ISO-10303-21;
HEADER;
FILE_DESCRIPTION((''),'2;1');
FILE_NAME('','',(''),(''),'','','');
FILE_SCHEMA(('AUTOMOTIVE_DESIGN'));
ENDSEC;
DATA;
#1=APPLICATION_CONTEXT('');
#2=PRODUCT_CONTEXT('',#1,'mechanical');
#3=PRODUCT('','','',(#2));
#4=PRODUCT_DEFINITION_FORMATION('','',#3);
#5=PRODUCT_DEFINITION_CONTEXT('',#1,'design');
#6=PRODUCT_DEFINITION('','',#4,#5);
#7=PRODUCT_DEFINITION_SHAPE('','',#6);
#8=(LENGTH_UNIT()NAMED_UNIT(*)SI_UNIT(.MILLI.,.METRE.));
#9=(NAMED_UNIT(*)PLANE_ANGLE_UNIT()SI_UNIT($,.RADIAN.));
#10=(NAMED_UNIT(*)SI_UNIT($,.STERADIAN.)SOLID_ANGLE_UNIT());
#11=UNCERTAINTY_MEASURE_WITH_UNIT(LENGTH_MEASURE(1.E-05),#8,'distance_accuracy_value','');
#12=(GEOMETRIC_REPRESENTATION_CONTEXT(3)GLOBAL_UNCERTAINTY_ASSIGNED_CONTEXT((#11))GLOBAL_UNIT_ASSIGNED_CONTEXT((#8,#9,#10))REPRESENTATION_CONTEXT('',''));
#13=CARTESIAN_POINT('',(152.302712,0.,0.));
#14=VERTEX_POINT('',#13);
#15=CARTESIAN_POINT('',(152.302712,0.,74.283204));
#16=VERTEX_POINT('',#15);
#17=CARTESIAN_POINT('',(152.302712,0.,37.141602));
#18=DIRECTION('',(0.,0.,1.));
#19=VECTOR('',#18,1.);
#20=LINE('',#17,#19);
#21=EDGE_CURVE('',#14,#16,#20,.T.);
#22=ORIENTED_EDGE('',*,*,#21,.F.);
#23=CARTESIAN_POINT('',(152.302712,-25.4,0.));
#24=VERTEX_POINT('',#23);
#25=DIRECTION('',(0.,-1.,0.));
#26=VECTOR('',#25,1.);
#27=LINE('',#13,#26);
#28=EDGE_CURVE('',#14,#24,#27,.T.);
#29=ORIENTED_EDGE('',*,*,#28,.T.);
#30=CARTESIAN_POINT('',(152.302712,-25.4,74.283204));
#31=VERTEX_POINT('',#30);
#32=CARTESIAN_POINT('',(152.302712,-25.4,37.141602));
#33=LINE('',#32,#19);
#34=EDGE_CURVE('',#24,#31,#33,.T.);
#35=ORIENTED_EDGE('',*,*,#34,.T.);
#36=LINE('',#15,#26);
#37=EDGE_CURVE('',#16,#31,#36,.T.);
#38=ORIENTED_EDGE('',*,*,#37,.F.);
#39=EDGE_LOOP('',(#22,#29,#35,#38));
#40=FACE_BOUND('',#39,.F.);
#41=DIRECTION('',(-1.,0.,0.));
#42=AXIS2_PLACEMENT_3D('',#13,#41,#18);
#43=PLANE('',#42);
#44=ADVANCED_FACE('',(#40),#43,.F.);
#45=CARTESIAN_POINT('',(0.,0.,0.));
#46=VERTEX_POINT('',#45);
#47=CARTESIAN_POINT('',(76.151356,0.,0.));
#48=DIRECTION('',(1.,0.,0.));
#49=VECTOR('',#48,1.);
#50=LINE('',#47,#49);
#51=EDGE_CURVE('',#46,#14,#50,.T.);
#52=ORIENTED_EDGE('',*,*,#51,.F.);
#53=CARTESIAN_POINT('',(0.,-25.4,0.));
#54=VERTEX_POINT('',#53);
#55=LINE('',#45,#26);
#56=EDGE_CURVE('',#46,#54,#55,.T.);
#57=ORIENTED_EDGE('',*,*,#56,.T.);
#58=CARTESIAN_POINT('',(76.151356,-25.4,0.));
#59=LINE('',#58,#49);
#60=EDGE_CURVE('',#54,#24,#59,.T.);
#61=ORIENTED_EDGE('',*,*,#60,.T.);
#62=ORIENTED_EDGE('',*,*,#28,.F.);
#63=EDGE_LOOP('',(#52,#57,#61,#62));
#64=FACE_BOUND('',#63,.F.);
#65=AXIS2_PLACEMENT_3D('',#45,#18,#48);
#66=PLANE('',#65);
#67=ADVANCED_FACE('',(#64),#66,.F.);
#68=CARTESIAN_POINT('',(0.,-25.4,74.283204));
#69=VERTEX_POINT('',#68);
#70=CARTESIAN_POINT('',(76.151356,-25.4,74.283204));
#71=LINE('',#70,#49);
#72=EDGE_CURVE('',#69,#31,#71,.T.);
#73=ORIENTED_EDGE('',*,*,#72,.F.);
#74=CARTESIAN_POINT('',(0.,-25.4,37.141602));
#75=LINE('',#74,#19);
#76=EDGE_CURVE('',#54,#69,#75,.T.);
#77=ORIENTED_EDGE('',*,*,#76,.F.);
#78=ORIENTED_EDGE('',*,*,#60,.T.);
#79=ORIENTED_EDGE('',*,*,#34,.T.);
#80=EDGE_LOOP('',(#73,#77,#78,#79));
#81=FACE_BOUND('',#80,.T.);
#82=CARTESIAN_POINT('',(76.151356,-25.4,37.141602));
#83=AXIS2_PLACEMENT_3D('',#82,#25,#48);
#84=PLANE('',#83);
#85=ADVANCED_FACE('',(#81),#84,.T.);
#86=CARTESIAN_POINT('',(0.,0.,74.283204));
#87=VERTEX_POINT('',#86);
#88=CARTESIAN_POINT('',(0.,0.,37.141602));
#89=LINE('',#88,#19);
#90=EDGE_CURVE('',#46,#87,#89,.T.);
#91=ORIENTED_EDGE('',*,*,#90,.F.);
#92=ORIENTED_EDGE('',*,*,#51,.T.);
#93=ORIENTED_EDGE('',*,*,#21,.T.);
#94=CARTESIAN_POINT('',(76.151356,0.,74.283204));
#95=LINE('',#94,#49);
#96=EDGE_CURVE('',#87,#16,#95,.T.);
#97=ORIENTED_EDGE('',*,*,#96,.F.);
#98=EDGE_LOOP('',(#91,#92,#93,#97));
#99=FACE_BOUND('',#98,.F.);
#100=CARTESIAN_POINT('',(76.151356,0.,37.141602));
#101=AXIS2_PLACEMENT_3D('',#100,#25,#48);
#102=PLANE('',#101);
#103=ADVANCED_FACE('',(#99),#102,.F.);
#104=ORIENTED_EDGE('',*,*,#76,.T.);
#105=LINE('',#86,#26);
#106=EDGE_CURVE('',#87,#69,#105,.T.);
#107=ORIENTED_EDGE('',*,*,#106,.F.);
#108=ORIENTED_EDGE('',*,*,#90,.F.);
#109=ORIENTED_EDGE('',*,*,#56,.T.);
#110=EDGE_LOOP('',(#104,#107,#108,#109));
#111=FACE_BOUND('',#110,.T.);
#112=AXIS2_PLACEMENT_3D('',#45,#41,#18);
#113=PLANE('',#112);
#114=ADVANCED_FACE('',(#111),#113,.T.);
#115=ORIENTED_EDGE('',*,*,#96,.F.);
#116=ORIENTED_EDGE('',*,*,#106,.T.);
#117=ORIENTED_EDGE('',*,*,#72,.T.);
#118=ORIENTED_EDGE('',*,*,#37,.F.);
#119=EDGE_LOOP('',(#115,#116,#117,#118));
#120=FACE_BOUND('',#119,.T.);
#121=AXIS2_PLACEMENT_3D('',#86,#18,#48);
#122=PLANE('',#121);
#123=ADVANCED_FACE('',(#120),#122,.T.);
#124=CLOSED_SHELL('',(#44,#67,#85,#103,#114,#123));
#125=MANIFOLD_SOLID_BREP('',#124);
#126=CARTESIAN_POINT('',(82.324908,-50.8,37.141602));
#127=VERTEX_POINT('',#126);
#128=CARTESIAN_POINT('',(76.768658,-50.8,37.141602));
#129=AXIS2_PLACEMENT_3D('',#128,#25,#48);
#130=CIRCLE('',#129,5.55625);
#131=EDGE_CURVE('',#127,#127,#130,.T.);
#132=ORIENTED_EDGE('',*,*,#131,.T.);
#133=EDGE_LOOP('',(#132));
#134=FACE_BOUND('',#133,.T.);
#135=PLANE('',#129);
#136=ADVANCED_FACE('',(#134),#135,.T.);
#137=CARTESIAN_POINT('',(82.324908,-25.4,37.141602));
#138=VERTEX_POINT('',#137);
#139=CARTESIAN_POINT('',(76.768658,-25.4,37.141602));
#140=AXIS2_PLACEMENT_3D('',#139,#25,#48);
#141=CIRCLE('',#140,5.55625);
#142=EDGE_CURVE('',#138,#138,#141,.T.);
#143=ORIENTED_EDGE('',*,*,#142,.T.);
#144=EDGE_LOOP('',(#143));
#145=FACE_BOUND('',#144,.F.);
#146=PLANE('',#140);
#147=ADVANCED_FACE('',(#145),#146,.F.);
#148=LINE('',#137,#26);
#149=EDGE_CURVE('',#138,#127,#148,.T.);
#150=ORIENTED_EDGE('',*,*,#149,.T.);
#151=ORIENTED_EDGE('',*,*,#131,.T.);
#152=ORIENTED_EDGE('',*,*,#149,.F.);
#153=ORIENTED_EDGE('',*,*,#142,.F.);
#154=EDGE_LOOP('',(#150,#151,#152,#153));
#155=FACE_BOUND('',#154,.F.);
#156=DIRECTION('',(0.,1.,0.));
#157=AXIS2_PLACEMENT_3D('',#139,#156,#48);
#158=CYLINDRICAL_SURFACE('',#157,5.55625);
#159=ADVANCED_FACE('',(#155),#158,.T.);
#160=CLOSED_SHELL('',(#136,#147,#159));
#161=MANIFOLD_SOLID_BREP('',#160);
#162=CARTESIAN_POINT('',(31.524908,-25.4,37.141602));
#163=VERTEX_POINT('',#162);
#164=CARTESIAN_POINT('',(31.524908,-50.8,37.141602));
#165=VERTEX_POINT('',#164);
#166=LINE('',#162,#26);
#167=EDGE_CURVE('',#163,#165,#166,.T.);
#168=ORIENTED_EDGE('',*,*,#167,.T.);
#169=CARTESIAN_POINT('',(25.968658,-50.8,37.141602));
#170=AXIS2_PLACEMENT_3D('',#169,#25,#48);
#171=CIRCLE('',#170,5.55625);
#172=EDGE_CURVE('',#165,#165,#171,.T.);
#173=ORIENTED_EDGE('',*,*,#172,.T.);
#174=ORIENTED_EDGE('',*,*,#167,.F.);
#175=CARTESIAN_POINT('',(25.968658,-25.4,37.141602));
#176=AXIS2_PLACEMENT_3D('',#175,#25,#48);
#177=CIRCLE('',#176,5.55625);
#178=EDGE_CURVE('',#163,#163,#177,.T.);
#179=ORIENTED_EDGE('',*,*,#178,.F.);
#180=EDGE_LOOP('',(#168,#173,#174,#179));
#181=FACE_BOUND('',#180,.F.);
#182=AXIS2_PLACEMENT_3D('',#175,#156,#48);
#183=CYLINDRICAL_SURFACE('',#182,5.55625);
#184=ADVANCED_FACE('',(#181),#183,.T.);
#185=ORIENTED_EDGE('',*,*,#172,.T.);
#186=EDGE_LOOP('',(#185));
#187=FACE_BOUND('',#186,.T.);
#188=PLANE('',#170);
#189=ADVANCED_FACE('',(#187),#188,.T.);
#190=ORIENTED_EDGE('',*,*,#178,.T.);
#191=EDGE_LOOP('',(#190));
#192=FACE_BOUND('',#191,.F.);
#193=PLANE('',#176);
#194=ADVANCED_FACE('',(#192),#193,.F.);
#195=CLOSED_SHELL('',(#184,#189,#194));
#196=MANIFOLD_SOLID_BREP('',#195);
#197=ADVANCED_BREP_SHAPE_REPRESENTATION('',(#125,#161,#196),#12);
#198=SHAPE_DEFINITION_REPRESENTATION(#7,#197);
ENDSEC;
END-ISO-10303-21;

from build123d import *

# Parameters (mm, degrees)
F0_W     = 152.302712
F0_H     = 74.283205
F1_DEPTH = 25.4
F2_R     = 5.55625
F3_DEPTH = 25.4


with BuildPart() as f1:
    # F0 (on Front) → F1 (new body)
    with BuildSketch(Plane.XZ):
        with Locations((76.151356, 37.141602)):
            Rectangle(F0_W, F0_H)
    extrude(amount=F1_DEPTH)


with BuildPart() as f3:
    # F2 (on face) → F3 (new body)
    with BuildSketch(Plane.XZ.offset(25.4)):
        with Locations((25.968658, 37.141602)):
            Circle(F2_R)
        with Locations((76.768658, 37.141602)):
            Circle(F2_R)
    extrude(amount=F3_DEPTH)


solid = Compound([f1.part, f3.part])
